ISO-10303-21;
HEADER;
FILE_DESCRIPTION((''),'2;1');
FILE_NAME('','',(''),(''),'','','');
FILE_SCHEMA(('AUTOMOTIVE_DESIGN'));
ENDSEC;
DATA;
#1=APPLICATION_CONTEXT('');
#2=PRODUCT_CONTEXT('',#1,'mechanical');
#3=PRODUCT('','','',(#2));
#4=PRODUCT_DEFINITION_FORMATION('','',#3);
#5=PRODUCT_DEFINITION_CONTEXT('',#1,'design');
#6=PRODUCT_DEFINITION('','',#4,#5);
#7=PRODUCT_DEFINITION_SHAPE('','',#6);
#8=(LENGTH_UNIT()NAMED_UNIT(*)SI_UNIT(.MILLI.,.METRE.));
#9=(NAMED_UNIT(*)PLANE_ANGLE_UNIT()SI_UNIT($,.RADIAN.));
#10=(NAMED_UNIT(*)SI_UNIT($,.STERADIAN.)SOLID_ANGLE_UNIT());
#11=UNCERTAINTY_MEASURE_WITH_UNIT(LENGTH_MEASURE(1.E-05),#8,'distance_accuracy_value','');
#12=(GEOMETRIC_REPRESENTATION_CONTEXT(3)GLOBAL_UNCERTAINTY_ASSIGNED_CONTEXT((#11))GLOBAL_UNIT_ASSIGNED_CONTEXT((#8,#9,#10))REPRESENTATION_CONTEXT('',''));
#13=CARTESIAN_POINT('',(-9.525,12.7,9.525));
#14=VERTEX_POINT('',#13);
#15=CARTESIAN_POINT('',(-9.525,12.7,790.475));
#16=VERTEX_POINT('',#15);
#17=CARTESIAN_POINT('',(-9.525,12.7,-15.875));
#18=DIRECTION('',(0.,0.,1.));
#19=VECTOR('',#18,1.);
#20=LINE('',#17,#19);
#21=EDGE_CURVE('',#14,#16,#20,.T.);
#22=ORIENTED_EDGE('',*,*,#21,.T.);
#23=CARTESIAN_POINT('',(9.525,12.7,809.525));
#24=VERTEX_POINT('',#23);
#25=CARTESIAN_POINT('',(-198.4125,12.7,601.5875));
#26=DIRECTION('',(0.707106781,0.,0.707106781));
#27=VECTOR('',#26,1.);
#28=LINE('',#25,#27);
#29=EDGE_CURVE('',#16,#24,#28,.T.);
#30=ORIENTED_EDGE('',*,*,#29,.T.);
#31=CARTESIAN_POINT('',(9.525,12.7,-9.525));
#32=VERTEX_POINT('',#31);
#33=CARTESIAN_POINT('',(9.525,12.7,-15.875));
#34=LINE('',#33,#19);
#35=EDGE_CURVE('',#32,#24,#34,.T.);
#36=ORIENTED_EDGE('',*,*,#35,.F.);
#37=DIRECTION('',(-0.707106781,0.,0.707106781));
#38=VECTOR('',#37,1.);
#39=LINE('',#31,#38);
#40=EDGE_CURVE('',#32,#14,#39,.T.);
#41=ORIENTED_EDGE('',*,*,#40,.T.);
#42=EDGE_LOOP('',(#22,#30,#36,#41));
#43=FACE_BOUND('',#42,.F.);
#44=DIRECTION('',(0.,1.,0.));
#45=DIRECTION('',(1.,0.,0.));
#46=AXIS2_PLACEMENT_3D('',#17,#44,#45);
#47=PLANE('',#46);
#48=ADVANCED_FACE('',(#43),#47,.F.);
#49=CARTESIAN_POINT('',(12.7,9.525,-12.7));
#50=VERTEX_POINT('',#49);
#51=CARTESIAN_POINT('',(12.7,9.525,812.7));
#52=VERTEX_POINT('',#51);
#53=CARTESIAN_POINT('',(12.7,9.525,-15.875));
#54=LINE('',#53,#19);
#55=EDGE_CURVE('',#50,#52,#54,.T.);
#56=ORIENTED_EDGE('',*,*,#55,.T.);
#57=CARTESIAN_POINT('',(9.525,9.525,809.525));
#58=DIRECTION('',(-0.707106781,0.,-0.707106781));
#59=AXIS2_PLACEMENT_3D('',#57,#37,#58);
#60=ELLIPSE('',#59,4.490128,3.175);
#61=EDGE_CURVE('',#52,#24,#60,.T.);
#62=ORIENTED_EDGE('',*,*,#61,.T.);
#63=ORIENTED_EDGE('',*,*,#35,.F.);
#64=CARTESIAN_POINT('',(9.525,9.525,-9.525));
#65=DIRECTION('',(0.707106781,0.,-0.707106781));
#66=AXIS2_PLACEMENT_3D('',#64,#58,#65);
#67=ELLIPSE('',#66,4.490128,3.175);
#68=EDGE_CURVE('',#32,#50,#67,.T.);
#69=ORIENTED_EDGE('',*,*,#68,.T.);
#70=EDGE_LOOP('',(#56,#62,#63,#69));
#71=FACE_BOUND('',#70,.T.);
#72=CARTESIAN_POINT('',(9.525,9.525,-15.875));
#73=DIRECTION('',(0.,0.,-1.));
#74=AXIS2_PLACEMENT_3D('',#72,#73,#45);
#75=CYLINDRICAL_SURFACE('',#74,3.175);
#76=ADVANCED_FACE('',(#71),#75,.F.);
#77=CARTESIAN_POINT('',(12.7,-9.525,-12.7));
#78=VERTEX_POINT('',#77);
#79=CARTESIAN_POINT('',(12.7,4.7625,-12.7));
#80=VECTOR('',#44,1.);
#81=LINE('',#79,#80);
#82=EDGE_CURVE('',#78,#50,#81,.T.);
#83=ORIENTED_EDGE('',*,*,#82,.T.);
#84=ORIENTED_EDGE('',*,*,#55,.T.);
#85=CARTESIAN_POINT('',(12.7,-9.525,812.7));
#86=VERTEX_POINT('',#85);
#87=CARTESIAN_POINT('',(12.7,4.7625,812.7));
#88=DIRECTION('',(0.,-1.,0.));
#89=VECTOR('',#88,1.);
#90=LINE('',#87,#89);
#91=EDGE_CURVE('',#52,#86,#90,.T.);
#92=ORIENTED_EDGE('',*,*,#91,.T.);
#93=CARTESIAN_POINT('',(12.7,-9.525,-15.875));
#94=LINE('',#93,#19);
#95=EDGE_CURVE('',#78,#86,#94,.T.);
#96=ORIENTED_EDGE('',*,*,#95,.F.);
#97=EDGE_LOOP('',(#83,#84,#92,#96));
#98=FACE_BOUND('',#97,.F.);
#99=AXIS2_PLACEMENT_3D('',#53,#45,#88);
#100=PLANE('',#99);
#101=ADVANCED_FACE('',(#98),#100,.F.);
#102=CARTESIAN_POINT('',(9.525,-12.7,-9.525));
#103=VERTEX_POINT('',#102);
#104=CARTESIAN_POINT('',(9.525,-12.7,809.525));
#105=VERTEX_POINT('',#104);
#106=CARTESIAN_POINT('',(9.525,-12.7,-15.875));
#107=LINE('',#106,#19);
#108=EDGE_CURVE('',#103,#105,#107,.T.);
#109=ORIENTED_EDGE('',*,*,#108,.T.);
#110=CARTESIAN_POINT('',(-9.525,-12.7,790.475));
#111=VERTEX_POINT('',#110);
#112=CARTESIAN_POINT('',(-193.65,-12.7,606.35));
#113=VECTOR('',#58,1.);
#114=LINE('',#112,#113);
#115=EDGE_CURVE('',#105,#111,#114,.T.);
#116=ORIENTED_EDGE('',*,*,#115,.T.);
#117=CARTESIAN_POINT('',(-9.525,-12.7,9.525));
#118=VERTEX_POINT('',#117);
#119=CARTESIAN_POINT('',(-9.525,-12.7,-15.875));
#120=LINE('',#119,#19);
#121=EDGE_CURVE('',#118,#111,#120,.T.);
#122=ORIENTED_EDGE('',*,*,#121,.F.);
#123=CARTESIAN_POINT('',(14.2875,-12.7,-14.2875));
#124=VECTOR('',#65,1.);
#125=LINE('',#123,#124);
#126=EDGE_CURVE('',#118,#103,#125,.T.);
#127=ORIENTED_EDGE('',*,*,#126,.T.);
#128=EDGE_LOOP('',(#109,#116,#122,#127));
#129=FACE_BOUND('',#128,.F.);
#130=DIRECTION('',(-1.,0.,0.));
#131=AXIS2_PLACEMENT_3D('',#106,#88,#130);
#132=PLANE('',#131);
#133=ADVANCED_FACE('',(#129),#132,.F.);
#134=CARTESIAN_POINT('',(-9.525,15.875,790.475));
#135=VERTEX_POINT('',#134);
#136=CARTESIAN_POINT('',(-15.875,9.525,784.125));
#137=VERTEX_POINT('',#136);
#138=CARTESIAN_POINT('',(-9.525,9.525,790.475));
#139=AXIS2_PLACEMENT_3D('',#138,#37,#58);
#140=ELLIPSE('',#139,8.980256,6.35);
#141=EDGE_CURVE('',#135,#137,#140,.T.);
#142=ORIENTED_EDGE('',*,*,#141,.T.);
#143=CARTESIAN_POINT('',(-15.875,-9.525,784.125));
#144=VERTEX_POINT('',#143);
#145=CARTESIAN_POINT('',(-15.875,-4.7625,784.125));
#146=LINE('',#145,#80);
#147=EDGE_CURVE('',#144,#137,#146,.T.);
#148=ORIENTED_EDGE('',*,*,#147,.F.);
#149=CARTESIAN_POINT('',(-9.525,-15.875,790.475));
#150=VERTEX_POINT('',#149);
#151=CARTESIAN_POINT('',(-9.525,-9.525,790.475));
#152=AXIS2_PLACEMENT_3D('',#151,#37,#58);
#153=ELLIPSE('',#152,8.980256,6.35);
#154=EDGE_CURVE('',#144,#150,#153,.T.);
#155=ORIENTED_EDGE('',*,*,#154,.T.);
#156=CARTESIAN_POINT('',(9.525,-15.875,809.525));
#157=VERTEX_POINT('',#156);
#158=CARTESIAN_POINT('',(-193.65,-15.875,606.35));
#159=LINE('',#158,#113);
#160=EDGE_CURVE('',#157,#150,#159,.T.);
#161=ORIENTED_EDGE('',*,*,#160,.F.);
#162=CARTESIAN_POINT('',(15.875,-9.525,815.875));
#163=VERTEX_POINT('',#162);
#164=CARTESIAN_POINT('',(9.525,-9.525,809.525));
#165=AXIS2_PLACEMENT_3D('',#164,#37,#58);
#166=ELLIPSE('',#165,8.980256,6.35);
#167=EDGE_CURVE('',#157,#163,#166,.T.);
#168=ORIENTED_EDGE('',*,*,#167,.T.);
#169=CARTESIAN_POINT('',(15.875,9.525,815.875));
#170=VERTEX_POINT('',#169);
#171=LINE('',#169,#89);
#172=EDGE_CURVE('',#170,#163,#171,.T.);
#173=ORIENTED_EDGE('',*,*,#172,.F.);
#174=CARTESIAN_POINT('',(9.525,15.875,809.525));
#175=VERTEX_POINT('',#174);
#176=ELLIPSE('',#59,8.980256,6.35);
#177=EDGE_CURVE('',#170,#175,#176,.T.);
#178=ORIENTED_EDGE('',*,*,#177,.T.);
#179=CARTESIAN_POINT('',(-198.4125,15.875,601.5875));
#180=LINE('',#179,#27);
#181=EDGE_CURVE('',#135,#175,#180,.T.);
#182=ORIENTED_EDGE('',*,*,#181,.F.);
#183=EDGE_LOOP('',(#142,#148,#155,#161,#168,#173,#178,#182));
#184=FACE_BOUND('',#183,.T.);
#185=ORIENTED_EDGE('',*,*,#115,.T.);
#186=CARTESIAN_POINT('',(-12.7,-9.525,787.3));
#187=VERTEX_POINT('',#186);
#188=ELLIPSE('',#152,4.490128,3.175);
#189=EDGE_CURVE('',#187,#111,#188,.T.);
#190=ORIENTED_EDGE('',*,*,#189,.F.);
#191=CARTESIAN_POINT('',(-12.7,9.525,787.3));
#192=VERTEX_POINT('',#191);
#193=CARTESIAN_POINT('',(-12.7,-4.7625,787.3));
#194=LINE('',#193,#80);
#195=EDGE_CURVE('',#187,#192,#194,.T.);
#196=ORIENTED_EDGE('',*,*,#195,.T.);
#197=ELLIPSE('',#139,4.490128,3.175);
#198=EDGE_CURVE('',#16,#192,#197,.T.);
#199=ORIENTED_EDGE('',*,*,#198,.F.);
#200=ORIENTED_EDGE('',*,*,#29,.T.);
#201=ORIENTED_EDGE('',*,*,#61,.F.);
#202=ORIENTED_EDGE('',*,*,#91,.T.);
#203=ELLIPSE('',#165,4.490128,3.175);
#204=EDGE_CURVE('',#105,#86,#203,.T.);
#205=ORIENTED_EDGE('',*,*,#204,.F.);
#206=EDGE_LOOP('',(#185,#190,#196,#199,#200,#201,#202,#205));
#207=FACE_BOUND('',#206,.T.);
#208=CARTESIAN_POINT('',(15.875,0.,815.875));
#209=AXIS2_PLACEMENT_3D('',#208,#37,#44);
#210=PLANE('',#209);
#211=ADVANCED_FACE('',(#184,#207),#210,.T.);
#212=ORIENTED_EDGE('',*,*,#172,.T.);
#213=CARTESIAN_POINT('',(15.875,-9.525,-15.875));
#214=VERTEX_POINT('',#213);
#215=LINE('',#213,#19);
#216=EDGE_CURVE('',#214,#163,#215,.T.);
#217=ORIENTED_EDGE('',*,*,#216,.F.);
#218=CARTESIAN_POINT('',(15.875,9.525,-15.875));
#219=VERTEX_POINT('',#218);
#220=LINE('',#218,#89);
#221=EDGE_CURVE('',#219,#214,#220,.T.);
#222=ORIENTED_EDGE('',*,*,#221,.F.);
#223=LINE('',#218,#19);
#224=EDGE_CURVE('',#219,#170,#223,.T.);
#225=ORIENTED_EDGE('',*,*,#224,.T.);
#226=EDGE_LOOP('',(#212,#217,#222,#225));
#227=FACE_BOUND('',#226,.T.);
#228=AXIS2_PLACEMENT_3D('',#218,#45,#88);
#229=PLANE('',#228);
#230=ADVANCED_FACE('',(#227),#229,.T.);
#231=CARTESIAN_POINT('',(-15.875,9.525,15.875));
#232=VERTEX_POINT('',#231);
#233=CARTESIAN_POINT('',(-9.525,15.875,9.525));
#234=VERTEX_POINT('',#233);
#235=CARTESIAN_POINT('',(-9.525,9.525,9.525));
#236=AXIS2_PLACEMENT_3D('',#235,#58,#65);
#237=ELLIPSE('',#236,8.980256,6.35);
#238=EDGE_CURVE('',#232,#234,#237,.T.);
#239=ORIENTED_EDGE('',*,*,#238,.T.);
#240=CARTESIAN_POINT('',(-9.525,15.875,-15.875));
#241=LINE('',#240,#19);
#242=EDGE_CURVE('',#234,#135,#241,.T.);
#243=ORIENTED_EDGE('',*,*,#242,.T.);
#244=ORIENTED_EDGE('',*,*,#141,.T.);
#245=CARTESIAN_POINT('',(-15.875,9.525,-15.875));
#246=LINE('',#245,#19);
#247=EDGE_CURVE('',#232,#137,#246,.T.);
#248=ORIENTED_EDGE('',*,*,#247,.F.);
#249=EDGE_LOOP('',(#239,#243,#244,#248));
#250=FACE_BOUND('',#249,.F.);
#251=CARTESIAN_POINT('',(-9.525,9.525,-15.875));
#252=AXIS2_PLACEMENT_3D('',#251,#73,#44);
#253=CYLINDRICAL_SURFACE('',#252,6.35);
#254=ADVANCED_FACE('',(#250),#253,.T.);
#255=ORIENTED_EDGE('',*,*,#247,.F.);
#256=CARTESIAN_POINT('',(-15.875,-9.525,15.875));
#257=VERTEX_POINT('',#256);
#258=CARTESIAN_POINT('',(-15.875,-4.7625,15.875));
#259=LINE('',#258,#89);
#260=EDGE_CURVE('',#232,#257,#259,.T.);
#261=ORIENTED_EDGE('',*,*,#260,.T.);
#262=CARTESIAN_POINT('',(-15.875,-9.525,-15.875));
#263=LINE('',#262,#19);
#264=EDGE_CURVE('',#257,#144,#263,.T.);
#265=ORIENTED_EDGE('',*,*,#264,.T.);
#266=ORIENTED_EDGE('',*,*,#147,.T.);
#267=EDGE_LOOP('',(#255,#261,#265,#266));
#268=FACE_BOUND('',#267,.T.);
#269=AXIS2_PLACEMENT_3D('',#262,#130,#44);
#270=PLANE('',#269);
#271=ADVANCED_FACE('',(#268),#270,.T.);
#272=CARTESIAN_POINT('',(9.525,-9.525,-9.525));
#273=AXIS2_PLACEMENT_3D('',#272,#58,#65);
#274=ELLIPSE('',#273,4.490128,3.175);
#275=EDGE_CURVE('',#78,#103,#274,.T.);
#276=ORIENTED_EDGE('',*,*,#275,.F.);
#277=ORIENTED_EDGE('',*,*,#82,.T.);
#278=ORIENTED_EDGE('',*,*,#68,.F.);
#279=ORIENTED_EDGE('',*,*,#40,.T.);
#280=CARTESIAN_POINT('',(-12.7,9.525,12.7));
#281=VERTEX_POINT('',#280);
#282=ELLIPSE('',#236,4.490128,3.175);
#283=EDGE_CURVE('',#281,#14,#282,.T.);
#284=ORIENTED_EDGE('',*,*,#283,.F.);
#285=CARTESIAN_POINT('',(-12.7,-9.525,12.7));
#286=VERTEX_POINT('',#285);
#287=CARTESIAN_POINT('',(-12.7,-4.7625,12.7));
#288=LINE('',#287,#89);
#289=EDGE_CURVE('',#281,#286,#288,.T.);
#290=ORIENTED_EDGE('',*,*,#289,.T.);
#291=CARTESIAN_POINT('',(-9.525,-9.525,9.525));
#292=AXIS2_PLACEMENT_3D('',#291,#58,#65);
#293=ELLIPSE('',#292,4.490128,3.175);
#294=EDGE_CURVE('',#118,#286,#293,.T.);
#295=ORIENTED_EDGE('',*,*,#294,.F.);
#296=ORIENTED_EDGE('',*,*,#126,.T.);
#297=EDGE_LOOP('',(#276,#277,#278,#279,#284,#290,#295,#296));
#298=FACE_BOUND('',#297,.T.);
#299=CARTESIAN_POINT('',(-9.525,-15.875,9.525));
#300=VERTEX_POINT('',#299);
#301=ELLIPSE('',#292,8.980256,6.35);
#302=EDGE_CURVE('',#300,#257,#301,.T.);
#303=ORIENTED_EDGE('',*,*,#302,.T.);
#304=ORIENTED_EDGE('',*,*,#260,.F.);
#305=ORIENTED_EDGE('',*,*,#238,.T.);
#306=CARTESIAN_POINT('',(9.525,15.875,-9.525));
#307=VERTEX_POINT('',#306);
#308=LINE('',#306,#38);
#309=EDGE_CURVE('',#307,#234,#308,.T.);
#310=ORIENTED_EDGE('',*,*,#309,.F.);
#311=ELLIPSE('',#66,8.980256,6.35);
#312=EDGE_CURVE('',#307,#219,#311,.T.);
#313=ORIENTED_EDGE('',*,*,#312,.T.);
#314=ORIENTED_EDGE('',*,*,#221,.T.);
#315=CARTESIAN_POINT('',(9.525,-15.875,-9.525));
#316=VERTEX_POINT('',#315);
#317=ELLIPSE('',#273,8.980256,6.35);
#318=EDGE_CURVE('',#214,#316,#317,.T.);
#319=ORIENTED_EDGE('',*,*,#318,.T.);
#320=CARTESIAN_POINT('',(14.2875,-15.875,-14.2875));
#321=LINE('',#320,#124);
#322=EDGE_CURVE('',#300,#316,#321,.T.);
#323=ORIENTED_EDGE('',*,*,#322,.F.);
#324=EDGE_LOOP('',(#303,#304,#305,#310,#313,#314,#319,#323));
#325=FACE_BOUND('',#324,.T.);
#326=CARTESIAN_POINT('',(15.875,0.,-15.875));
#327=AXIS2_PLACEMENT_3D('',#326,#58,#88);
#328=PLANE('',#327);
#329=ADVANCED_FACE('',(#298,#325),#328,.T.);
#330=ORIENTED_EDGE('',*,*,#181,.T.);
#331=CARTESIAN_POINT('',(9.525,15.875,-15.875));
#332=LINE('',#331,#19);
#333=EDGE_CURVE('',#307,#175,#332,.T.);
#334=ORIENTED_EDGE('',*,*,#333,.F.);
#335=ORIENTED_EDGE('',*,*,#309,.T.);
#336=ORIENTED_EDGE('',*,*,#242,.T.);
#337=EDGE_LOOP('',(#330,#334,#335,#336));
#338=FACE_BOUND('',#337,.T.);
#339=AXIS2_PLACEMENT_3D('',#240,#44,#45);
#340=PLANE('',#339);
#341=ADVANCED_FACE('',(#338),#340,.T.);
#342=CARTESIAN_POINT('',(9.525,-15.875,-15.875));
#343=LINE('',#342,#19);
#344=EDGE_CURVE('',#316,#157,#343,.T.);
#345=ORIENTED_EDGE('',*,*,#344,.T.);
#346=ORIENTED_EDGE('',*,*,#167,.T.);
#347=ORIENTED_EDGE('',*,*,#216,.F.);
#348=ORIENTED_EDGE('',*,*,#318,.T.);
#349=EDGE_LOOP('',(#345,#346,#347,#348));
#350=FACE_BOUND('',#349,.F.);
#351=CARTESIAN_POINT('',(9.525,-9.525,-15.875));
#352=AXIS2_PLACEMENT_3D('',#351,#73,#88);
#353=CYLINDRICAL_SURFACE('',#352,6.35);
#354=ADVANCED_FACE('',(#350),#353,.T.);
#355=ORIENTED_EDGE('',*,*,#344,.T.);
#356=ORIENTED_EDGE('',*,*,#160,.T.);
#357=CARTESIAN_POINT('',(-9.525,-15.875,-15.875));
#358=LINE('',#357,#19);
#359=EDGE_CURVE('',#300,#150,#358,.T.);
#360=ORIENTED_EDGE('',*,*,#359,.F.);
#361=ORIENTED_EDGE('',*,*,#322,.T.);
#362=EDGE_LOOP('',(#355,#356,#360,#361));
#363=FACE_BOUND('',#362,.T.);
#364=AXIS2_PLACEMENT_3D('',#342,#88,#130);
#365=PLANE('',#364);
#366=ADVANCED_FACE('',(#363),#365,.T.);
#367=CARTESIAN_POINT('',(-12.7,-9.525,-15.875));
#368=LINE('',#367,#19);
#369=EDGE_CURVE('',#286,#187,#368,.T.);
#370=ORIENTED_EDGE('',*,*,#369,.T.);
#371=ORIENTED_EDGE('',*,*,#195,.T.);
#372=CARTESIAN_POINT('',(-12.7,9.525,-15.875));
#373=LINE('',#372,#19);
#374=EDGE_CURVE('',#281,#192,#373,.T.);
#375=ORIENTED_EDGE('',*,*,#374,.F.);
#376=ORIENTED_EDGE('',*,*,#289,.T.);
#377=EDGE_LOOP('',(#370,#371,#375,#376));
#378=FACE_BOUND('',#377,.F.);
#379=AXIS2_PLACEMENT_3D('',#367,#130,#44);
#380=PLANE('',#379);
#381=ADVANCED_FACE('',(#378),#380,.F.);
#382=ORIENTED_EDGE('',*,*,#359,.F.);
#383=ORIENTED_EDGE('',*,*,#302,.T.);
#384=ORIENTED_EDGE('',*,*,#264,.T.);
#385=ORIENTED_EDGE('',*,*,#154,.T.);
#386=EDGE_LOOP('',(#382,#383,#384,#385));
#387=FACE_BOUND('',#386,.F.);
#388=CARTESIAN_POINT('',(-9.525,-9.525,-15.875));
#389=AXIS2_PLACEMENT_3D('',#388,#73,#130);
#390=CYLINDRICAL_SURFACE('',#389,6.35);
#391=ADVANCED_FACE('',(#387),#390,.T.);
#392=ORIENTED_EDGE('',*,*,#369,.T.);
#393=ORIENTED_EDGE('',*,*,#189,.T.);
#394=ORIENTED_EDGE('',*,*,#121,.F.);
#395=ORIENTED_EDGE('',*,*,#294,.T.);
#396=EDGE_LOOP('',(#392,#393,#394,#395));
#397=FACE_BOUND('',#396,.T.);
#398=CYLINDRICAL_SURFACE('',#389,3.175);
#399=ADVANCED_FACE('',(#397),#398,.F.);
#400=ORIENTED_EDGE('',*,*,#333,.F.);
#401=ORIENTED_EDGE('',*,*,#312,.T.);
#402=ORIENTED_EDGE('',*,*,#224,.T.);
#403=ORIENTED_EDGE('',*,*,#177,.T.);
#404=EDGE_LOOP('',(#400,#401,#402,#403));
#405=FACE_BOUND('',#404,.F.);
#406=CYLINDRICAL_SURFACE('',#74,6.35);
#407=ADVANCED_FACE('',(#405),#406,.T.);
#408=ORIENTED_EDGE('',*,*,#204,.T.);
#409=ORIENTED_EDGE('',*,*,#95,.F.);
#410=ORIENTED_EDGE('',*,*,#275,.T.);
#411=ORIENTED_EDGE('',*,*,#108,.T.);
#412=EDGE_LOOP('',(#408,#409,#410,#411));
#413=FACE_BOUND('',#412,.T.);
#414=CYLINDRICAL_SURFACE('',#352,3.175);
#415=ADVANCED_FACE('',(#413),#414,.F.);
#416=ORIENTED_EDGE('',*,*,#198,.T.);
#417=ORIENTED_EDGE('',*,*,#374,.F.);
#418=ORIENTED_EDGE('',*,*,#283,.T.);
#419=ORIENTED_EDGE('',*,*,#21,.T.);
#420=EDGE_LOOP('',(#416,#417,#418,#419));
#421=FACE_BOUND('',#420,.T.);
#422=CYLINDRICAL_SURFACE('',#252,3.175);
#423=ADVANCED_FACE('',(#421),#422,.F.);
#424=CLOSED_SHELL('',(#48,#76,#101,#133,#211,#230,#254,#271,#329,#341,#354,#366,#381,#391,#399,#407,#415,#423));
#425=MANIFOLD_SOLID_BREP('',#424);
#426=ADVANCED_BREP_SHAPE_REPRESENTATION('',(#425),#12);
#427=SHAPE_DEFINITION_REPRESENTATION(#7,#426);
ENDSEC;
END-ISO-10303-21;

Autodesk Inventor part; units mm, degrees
ref_plane "Start Plane" through (0, 0, -15.875) normal (0, 0, 1) x (1, 0, 0)
ref_plane "End Plane" through (0, 0, 815.875) normal (0, 0, 1) x (1, 0, 0)
sketch "Sketch" plane through (0, 0, 0) normal (0, 0, 1) x (1, 0, 0)
  line L0 (-15.875, -9.525) -> (-15.875, 9.525)
  line L1 (-9.525, 15.875) -> (9.525, 15.875)
  line L2 (15.875, 9.525) -> (15.875, -9.525)
  line L3 (9.525, -15.875) -> (-9.525, -15.875)
  arc A0 (-15.875, -9.525) -> (-9.525, -15.875) centre (-9.525, -9.525) ccw
  arc A1 (-9.525, 15.875) -> (-15.875, 9.525) centre (-9.525, 9.525) ccw
  arc A2 (15.875, 9.525) -> (9.525, 15.875) centre (9.525, 9.525) ccw
  arc A3 (9.525, -15.875) -> (15.875, -9.525) centre (9.525, -9.525) ccw
  arc A4 (-9.525, 12.7) -> (-12.7, 9.525) centre (-9.525, 9.525) ccw
  line L4 (-9.525, 12.7) -> (9.525, 12.7)
  arc A5 (12.7, 9.525) -> (9.525, 12.7) centre (9.525, 9.525) ccw
  line L5 (12.7, 9.525) -> (12.7, -9.525)
  arc A6 (9.525, -12.7) -> (12.7, -9.525) centre (9.525, -9.525) ccw
  line L6 (9.525, -12.7) -> (-9.525, -12.7)
  arc A7 (-12.7, -9.525) -> (-9.525, -12.7) centre (-9.525, -9.525) ccw
  line L7 (-12.7, -9.525) -> (-12.7, 9.525)
  line L8 (0, 24.0662) -> (0, -24.0662) construction
  line L9 (-24.0662, 0) -> (24.0662, 0) construction
  dimension "d10" = 31.75
  dimension "d11" = 31.75
  dimension "d12" = 3.175
  dimension "d15" = 15.875
  dimension "d16" = 15.875
  dimension "d17" = 6.35
extrude "Body" add sketch "Sketch" along normal up to surface (831.75 mm away) from surface at -15.875
sketch "Sketch3" plane through (0, 0, 0) normal (0, 0, 1) x (1, 0, 0)
  line L0 (0, 0) -> (10, 0)
ref_plane "Work Plane3" through (0, 0, 0) normal (0, -1, 0) x (1, 0, 0)
sketch "Sketch4" plane through (0, 0, 0) normal (0, -1, 0) x (1, 0, 0)
  line L0 (-2, -15.875) -> (12, -15.875)
  line L1 (-2, 815.875) -> (12, 815.875)
  dimension "d19" = 831.75
ref_plane "Work Plane4" through (15.875, 0, 815.875) normal (-0.7071, 0, 0.7071) x (0.7071, 0, 0.7071)
split "Split1" plane through (15.875, 0, 815.875) removes the side toward (-0.7071, 0, 0.7071)
ref_plane "Work Plane5" through (15.875, 0, -15.875) normal (-0.7071, 0, -0.7071) x (-0.7071, 0, 0.7071)
split "Split2" plane through (15.875, 0, -15.875) removes the side toward (-0.7071, 0, -0.7071)
equation "\"d10\" = G_H"
equation "\"d11\" = G_W"
equation "\"d12\" = G_T"
equation "\"d15\" = 0.5 * d10"
equation "\"d16\" = 0.5 * d11"
equation "\"d17\" = G_IR"
equation "\"d3\" = G_L"
equation "\"G_W\" = 31.75"
equation "\"G_H\" = 31.75"
equation "\"G_T\" = 3.175"
equation "\"G_IR\" = 6.35"
equation "\"G_L\" = d19"
equation "\"G_OFFSET_START\" = 15.875"
equation "\"G_OFFSET_END\" = 15.875"
equation "\"d13\" = -G_OFFSET_START"
equation "\"d14\" = G_OFFSET_END + B_L"
equation "\"B_L\" = 800"
properties part number "AISC HSS - (1 1/4x1 1/4x1/8) - 32.746" material "Steel, Mild"
